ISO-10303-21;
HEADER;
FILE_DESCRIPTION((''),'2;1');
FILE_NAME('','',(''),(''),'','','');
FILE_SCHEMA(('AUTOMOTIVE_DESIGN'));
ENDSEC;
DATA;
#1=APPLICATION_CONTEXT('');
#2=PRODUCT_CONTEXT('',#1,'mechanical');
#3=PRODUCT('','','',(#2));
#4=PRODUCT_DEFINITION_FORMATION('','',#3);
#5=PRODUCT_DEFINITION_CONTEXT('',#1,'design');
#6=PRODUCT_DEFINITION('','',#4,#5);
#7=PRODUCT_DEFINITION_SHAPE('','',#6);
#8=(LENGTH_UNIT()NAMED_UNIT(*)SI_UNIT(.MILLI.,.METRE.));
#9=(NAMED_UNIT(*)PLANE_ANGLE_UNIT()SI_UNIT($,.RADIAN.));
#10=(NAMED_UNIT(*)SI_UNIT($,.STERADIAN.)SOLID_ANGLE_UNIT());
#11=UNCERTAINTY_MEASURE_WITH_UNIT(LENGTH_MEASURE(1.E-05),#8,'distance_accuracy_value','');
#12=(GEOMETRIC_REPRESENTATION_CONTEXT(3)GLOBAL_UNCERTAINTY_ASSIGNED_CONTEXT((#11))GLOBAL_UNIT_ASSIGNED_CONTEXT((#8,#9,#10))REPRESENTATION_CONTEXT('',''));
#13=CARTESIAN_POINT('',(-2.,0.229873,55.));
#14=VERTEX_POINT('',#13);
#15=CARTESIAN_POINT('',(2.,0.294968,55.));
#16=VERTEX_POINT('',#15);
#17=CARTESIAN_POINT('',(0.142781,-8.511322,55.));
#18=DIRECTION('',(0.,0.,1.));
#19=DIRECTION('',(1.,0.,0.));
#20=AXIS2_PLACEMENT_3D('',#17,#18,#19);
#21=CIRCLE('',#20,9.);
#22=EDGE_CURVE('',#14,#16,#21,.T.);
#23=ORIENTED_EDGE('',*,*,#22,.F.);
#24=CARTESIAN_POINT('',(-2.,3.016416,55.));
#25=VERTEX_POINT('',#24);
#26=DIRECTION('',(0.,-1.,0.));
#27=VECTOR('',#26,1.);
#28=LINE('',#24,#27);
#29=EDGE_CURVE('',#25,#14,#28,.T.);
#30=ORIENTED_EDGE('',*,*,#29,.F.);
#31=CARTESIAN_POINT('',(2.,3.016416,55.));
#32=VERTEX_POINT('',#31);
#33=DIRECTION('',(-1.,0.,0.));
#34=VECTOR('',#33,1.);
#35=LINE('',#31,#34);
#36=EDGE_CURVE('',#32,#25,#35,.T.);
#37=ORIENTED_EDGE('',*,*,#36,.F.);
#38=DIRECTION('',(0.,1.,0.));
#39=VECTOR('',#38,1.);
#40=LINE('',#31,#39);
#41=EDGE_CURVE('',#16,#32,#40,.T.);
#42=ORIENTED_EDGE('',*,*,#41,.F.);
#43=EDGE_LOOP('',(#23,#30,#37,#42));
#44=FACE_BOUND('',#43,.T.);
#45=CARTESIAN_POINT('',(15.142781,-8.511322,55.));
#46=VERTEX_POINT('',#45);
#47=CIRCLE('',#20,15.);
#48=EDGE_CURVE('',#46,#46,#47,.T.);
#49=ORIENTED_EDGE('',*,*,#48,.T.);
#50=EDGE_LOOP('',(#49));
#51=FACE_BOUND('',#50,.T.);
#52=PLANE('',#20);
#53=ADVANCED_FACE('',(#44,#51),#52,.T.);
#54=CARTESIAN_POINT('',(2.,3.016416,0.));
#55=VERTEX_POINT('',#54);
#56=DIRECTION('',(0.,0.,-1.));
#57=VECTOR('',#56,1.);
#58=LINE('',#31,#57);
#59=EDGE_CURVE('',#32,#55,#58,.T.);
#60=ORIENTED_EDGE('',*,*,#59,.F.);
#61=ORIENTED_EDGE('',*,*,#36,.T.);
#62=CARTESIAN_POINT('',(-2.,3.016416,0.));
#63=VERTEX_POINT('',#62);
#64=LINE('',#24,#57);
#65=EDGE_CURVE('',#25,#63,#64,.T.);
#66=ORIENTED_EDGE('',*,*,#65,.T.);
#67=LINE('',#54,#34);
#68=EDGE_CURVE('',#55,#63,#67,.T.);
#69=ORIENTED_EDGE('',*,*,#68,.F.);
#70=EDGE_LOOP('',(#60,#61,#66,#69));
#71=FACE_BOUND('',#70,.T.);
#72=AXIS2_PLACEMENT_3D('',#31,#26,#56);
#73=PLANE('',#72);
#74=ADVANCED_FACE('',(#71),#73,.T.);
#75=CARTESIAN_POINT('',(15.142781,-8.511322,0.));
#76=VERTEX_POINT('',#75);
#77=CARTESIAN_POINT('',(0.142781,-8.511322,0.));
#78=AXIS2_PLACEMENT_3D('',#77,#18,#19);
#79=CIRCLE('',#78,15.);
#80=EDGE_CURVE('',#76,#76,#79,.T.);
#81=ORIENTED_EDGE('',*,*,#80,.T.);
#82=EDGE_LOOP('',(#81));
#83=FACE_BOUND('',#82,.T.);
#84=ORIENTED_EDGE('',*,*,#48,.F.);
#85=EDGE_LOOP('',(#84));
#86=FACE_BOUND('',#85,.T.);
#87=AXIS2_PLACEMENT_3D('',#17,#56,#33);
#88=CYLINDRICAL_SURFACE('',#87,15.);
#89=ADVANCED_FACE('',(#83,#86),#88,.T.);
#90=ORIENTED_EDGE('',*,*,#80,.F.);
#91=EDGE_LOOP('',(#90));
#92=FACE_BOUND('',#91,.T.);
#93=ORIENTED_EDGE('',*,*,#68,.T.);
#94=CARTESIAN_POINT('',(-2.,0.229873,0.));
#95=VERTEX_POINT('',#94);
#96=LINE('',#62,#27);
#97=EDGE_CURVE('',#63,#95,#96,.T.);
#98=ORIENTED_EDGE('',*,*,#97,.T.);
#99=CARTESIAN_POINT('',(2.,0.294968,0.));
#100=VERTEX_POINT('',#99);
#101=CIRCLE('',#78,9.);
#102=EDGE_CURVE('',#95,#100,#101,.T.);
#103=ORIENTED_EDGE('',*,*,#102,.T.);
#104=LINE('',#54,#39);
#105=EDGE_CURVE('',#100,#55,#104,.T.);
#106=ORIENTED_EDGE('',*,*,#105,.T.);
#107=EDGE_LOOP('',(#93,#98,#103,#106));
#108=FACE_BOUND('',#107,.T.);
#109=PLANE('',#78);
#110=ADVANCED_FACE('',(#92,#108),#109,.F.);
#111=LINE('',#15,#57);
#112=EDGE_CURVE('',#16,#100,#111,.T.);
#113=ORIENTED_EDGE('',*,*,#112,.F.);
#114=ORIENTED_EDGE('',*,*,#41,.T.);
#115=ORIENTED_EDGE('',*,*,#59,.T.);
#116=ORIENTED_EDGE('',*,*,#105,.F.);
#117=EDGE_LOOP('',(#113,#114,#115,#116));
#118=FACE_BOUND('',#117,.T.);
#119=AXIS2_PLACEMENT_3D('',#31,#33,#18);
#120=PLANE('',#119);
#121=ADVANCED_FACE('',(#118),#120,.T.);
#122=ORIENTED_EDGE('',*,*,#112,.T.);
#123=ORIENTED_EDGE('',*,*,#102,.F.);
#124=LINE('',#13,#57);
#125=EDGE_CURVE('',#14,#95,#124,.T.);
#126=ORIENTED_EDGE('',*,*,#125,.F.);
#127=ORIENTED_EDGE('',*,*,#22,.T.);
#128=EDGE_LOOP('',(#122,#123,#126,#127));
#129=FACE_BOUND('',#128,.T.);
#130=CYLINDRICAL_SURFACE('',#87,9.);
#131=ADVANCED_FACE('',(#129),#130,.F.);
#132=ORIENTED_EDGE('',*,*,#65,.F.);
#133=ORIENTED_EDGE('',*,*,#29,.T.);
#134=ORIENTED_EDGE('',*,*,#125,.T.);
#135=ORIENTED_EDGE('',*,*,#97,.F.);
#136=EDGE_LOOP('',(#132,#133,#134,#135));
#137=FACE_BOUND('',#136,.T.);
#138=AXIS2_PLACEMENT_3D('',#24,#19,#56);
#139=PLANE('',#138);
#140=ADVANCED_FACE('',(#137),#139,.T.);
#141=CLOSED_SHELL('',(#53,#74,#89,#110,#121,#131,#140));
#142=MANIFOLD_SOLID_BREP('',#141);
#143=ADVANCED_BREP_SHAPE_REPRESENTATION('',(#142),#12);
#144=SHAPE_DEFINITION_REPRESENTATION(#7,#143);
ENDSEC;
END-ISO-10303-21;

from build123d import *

# Parameters (mm, degrees)
SKETCH1_R           = 15
BOSS_EXTRUDE1_DEPTH = 55


with BuildPart() as part:
    # Sketch1 → Boss-Extrude1 (new body)
    with BuildSketch(Plane.XY):
        with Locations((0.142780768, -8.511321707)):
            Circle(SKETCH1_R)
        with BuildLine():
            Line((2, 3.016416073), (-2, 3.016416073))
            Line((-2, 3.016416073), (-2, 0.229873324))
            ThreePointArc((-2, 0.229873324), (0.289224182, -17.510130202), (2, 0.294967904))
            Line((2, 0.294967904), (2, 3.016416073))
        make_face(mode=Mode.SUBTRACT)
    extrude(amount=BOSS_EXTRUDE1_DEPTH)


solid = part.part
